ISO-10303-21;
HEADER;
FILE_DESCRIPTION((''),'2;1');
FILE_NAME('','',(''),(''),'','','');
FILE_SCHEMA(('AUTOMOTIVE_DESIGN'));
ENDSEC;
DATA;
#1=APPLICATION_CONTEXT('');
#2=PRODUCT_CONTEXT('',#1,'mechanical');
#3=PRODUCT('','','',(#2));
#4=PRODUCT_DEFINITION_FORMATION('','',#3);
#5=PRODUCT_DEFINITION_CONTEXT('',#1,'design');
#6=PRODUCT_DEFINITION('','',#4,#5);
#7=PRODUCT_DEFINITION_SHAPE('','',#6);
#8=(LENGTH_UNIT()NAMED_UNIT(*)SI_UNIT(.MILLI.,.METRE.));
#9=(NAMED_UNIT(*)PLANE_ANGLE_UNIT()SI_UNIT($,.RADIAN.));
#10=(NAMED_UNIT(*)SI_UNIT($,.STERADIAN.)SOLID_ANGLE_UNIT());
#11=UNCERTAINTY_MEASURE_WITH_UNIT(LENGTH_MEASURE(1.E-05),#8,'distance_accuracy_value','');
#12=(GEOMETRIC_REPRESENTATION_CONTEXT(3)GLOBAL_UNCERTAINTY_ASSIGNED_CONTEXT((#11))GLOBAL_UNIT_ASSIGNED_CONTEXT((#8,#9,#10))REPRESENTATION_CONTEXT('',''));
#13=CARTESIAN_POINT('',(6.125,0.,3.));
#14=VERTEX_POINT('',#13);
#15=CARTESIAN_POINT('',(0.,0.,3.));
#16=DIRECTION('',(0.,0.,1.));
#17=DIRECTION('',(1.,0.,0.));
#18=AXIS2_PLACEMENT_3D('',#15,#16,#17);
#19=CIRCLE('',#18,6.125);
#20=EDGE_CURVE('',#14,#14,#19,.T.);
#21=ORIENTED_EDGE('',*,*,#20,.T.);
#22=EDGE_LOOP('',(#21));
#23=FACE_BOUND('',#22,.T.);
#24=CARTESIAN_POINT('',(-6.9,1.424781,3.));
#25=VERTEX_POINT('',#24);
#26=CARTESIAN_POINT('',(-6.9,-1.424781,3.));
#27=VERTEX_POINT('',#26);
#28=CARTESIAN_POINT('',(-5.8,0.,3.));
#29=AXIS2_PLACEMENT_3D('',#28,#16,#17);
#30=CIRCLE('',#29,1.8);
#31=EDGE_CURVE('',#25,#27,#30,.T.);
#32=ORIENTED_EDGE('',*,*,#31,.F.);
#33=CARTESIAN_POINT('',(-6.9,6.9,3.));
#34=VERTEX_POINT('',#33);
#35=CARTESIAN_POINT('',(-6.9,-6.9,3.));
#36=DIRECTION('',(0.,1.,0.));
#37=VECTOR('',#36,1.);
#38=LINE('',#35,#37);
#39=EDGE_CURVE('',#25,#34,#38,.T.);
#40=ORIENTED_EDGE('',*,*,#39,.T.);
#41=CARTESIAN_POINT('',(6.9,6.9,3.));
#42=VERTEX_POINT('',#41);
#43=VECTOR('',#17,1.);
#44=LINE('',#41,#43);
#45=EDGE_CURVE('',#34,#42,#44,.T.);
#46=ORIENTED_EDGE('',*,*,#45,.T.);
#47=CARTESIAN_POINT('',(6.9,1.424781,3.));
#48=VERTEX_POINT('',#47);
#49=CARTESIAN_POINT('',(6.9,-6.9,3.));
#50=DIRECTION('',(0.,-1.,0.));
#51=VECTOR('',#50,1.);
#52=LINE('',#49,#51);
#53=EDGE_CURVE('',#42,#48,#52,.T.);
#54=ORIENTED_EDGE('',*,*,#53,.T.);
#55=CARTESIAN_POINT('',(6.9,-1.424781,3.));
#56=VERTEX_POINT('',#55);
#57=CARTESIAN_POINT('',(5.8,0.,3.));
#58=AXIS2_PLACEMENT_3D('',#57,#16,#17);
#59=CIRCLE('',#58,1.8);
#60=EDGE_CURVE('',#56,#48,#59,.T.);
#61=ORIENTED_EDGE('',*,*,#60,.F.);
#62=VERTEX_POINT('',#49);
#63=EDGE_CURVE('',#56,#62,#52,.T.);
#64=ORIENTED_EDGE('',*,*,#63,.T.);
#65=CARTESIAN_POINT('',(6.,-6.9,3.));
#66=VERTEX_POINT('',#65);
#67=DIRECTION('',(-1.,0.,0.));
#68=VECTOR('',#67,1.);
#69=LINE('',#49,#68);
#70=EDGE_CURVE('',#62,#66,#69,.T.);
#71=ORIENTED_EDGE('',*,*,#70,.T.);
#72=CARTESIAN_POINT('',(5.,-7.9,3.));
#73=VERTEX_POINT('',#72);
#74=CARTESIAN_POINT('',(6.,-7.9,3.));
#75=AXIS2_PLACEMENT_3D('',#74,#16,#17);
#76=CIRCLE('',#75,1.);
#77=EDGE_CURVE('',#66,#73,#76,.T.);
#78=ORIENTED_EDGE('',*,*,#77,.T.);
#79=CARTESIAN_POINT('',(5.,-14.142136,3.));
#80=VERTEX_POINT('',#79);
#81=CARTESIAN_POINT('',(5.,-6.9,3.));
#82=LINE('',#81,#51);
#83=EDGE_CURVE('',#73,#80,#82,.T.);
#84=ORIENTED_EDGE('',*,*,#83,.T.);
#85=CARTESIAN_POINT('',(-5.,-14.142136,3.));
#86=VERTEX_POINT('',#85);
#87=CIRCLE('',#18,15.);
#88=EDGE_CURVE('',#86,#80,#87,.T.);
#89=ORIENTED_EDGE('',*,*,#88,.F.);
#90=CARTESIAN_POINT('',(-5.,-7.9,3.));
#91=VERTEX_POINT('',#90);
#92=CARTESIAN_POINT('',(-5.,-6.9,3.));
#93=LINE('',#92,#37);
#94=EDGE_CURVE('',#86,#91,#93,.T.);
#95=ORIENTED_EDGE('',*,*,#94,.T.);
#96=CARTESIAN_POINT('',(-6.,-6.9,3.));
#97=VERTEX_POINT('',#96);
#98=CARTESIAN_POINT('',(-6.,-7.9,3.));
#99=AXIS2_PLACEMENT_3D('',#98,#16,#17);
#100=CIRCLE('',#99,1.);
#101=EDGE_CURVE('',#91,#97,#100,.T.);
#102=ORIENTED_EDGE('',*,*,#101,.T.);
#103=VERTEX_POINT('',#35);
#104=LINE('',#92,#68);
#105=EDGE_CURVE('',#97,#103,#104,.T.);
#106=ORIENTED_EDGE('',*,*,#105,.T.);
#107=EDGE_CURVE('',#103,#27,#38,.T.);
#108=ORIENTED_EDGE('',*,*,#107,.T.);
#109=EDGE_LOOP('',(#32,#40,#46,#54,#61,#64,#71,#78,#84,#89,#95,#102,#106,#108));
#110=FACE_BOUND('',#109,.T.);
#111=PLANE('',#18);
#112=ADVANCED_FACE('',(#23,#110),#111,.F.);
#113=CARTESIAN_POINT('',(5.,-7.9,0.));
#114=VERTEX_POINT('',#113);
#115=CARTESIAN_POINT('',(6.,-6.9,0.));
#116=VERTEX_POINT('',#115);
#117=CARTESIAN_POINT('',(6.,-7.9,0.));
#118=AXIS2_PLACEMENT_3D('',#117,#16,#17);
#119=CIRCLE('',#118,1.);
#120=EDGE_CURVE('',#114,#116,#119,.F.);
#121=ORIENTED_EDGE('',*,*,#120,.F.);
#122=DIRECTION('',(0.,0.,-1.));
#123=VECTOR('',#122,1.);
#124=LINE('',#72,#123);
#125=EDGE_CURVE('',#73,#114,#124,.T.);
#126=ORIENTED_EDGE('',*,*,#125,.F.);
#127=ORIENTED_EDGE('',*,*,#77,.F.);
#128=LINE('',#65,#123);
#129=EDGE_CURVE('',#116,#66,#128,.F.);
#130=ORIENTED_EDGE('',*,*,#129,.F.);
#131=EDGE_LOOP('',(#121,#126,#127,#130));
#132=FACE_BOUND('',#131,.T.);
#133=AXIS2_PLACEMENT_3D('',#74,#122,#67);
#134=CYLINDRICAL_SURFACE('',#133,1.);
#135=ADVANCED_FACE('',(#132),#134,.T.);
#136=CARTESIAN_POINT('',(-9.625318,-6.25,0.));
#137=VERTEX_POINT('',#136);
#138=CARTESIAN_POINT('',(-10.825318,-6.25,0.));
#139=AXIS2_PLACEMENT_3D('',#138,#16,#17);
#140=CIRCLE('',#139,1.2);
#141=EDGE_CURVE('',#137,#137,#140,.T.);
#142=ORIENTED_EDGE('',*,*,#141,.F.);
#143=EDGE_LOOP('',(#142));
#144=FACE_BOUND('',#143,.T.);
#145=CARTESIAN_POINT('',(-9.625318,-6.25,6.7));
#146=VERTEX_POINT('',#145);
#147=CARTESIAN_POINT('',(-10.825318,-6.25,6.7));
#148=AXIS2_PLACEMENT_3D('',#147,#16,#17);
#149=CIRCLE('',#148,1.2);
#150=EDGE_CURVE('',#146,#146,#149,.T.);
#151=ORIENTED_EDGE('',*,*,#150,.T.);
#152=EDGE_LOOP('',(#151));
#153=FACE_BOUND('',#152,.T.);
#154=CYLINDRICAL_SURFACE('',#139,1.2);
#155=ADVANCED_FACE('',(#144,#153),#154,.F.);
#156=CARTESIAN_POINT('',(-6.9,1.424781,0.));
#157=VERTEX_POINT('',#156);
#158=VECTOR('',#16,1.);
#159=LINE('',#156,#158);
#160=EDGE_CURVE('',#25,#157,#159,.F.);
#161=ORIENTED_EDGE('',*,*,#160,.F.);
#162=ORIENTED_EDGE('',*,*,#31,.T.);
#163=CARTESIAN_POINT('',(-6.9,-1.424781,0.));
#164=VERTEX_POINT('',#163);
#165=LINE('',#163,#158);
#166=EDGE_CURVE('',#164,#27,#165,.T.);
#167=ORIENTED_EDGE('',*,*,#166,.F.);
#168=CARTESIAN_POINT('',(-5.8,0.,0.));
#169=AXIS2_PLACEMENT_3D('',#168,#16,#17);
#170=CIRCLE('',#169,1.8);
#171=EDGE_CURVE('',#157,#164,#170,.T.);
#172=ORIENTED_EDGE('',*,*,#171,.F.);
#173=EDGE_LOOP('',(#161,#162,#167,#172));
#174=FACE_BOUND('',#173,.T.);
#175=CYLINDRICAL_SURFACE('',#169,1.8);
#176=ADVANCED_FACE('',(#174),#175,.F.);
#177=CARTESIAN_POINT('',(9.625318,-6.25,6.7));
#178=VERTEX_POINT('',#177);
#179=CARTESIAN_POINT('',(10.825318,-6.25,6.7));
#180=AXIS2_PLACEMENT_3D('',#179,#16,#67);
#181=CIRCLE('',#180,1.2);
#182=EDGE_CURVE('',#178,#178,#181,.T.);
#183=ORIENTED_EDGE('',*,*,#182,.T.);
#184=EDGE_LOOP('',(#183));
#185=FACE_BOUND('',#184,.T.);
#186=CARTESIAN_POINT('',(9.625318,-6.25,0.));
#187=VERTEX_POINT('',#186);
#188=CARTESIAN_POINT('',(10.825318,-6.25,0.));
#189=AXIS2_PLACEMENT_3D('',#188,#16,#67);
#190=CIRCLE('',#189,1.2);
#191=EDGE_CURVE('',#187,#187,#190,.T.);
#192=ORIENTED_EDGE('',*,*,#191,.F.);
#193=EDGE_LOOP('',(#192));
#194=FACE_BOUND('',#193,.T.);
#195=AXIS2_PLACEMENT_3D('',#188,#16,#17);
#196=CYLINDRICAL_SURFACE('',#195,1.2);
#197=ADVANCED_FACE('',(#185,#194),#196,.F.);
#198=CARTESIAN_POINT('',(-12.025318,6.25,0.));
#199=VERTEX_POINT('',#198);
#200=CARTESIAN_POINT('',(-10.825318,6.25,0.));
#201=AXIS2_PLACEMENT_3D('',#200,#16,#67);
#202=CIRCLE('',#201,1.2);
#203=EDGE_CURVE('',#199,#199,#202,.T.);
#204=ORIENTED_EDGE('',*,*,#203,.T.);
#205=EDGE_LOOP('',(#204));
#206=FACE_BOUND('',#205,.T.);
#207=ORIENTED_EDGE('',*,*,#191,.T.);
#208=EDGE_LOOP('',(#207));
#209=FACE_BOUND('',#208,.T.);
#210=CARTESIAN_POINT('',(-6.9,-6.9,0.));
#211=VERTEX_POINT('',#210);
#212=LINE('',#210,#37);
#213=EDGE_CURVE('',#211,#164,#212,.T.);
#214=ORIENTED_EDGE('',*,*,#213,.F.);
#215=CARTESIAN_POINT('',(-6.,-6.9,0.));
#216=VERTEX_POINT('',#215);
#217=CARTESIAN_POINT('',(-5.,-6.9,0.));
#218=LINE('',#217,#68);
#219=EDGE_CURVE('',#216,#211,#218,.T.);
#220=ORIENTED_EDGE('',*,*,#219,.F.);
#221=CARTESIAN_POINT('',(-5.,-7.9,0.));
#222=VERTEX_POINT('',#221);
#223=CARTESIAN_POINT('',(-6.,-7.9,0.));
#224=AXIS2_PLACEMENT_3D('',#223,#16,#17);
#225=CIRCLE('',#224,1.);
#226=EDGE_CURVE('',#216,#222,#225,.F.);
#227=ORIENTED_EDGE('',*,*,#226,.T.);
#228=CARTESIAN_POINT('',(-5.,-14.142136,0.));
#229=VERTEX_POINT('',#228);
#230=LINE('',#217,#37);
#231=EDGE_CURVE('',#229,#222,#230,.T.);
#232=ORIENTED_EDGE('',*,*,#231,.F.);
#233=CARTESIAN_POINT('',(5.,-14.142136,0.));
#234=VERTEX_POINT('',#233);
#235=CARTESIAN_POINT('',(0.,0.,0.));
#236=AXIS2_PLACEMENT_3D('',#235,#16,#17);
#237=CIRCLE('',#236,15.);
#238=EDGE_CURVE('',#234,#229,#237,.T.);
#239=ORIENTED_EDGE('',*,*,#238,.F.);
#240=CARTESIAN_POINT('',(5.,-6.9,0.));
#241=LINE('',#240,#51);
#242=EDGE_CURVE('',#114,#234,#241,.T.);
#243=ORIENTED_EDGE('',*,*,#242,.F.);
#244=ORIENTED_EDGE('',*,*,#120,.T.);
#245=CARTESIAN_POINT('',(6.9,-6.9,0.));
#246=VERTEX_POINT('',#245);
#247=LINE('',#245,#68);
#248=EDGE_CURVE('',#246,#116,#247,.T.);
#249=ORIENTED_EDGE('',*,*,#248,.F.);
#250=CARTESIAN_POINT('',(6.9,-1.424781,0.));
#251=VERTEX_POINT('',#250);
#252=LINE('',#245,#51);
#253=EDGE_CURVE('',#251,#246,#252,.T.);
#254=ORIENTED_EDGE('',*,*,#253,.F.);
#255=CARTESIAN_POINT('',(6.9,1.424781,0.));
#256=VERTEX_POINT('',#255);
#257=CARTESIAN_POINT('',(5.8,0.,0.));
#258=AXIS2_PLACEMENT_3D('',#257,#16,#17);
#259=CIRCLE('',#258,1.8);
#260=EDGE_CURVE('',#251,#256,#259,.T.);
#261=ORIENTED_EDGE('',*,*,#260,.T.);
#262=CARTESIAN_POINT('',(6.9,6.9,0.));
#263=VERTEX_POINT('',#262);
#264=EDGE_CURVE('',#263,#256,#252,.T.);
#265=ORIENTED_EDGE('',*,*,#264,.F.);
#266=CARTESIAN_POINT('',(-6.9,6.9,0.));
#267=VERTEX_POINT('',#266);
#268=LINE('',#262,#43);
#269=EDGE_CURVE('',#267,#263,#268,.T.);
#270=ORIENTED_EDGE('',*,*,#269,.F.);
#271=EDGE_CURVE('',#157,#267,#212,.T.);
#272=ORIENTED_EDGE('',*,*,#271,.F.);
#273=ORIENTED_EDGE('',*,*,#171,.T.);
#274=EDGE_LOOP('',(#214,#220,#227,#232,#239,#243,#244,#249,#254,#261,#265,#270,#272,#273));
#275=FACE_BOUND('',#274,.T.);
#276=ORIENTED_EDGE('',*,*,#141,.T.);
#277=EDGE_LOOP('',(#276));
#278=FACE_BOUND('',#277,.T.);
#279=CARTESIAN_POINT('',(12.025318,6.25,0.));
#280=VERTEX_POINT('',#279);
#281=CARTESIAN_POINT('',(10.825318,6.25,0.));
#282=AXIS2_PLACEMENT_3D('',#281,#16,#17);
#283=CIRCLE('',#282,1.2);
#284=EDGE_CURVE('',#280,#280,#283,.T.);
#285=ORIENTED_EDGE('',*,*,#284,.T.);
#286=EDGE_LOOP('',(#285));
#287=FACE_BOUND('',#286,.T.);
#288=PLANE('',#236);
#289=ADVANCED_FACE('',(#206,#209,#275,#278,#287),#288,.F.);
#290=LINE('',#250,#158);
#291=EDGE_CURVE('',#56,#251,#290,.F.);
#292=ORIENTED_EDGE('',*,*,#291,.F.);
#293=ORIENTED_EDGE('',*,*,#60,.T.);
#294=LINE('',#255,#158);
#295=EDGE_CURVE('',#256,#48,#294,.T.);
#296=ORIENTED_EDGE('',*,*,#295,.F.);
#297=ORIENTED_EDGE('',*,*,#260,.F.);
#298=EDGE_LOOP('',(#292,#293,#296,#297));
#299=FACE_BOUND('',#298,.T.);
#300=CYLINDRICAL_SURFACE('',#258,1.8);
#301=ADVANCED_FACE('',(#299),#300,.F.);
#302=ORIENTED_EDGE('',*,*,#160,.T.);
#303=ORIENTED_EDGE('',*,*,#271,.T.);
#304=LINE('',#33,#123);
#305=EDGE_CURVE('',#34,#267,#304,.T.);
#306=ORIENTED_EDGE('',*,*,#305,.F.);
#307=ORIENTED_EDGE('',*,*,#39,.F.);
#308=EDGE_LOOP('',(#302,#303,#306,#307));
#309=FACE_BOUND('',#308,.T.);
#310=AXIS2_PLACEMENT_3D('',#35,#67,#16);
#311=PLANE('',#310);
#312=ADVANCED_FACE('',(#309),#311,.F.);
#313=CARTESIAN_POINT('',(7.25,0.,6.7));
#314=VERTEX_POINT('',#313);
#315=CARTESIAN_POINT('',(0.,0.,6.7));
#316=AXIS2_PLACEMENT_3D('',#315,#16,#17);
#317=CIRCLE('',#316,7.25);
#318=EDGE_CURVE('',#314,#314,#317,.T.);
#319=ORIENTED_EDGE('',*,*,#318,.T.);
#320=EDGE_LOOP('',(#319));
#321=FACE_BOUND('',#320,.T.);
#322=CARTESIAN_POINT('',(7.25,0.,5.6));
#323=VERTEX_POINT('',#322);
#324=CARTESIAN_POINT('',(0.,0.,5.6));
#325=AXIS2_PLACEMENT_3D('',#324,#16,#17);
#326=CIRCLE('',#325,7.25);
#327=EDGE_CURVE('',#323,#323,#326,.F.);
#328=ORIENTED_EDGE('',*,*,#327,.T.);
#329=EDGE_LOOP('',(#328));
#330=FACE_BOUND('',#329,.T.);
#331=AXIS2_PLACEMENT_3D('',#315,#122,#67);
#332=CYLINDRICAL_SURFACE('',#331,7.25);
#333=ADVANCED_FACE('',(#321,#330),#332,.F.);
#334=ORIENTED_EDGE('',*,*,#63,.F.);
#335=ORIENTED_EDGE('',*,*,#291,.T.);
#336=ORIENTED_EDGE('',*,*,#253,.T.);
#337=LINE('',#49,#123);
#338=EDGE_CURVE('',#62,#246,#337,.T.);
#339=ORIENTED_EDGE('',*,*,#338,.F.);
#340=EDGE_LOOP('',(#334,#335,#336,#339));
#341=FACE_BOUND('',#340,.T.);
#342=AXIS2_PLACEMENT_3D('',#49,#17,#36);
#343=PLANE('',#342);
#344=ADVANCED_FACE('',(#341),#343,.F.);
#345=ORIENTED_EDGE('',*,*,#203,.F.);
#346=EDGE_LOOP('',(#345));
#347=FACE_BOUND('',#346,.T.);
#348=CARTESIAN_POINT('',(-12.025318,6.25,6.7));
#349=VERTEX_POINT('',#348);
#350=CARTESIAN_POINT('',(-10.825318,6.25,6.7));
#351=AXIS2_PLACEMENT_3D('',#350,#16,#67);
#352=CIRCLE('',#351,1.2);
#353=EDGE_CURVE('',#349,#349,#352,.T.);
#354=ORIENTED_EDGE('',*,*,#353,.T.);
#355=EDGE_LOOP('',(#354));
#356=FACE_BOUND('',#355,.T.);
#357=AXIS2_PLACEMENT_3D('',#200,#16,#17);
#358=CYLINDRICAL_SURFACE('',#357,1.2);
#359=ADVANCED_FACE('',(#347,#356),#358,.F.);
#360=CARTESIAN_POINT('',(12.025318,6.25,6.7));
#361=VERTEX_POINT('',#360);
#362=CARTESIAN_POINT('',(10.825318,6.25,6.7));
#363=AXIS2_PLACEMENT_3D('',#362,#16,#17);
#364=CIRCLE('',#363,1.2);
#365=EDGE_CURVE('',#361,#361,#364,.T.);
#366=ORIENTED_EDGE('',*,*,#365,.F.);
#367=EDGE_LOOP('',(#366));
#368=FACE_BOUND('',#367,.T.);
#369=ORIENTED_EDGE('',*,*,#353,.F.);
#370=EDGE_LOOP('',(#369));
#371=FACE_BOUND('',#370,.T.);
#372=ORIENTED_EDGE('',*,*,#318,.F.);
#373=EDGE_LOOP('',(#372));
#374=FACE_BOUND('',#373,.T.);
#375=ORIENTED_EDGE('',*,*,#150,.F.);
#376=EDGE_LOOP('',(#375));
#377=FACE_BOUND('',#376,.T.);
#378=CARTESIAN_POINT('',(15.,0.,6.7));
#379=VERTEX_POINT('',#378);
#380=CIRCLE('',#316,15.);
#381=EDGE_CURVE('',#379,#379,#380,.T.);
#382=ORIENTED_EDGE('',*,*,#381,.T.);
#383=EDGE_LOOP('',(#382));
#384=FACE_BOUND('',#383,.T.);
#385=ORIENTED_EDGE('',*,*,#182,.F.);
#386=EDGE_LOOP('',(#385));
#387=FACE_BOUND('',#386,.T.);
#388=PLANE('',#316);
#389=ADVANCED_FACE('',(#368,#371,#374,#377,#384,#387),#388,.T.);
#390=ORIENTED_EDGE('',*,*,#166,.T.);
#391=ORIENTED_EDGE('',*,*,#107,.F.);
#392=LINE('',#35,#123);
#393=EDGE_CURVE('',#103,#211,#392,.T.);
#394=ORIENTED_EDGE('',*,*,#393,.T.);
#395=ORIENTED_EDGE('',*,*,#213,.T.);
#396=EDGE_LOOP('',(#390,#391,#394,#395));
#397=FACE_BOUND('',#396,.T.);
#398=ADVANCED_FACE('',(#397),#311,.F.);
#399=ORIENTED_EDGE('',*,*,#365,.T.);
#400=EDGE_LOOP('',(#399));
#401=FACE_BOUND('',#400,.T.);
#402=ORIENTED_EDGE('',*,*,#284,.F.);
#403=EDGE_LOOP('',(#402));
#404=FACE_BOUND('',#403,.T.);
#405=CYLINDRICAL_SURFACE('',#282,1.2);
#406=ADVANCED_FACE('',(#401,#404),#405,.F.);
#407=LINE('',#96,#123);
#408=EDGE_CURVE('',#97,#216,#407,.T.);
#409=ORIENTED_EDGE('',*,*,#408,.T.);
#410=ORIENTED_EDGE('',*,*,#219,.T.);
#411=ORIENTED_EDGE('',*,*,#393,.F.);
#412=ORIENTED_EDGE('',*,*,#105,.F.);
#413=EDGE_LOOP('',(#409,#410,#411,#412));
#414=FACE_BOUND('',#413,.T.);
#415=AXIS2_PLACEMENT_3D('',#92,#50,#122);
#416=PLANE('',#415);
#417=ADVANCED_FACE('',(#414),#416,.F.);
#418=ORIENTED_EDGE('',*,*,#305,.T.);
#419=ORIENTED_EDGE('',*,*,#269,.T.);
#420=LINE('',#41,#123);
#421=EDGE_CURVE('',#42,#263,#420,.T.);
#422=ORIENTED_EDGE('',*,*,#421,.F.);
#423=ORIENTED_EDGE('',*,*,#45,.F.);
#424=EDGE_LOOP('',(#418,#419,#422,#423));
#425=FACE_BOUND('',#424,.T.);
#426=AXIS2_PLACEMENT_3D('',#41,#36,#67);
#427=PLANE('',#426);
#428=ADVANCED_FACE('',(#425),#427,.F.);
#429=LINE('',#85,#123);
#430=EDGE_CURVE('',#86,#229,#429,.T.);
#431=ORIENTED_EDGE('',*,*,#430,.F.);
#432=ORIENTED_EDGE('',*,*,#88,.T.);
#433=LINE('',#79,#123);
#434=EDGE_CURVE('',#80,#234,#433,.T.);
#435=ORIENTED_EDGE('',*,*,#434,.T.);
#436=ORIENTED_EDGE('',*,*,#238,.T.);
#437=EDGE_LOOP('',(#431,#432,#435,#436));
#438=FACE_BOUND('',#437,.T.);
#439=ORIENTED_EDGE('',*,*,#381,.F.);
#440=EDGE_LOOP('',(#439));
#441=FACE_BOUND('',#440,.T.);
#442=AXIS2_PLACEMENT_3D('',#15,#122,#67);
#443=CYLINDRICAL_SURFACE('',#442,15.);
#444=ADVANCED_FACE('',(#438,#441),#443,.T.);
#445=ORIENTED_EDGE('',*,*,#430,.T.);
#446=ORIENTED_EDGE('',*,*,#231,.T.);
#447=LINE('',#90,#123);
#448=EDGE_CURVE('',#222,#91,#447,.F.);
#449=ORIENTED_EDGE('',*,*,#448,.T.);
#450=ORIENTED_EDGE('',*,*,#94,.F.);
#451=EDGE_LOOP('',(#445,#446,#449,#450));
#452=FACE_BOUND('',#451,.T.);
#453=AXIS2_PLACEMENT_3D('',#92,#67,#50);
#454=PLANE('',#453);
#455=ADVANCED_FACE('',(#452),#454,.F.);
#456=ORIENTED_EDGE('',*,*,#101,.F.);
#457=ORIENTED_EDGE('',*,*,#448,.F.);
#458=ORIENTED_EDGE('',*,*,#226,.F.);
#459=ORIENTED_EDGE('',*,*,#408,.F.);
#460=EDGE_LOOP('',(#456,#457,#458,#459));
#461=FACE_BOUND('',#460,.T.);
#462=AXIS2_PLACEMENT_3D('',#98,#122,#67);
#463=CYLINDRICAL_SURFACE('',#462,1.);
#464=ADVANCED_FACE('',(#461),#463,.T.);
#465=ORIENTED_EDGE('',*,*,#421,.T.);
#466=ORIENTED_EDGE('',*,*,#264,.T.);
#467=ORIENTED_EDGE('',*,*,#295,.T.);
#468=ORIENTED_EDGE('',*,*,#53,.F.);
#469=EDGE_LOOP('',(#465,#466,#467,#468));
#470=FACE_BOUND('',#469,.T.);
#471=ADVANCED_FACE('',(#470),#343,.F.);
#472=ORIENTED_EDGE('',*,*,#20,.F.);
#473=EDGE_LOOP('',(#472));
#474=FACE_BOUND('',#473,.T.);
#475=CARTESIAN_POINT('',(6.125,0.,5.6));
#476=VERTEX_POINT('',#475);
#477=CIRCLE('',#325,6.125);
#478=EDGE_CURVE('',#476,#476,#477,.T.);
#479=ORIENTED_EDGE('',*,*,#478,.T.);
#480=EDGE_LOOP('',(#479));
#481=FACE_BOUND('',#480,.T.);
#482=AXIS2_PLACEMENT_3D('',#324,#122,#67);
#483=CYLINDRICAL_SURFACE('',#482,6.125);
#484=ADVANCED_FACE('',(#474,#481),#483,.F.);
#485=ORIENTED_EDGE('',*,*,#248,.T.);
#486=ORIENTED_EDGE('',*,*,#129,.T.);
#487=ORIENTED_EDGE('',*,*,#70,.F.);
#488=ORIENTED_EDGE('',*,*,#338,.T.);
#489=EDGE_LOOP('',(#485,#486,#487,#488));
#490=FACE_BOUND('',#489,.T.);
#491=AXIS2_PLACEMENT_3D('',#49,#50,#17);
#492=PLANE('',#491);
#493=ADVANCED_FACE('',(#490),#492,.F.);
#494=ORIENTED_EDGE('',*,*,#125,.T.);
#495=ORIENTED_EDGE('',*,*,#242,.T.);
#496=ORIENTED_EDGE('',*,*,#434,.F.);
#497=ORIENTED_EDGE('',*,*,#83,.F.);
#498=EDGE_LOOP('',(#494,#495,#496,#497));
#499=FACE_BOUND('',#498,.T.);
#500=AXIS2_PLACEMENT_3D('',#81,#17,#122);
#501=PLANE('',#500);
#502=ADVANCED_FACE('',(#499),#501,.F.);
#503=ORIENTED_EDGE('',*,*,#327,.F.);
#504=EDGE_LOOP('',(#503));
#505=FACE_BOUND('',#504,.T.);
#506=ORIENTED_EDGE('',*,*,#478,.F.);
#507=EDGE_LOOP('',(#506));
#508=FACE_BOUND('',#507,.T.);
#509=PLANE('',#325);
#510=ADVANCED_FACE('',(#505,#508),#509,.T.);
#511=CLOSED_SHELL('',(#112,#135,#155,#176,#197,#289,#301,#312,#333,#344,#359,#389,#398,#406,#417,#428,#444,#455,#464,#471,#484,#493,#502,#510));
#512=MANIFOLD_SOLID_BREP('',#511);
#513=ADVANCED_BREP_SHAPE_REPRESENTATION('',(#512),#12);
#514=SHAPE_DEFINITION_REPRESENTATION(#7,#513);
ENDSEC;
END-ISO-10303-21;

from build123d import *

# Parameters (mm, degrees)
EXTRUDE_1_DEPTH     = 3
CUT_EXTRUDE_4_DEPTH = 4
SKETCH_12_R         = 15
SKETCH_12_R_2       = 6.125
EXTRUDE_2_DEPTH     = 2.6
SKETCH_13_R         = 15
SKETCH_13_R_2       = 7.25
EXTRUDE_3_DEPTH     = 1.1
SKETCH_14_R         = 1.2
CUT_EXTRUDE_5_DEPTH = 7.7
FILLET_1_R          = 1


with BuildPart() as part:
    # 스케치1 → 보스-돌출1 (new body)
    with BuildSketch(Plane.XY):
        with BuildLine():
            Line((-5, -6.9), (-6.9, -6.9))
            Line((-6.9, -6.9), (-6.9, 6.9))
            Line((-6.9, 6.9), (6.9, 6.9))
            Line((6.9, 6.9), (6.9, -6.9))
            Line((6.9, -6.9), (5, -6.9))
            Line((5, -6.9), (5, -14.142135624))
            ThreePointArc((5, -14.142135624), (0, 15), (-5, -14.142135624))
            Line((-5, -14.142135624), (-5, -6.9))
        make_face()
    extrude(amount=EXTRUDE_1_DEPTH)

    # 스케치11 → 컷-돌출4 (cut, through all)
    with BuildSketch(Plane.XY.offset(3)):
        with BuildLine():
            Line((5.8, -1.8), (-5.8, -1.8))
            ThreePointArc((-5.8, -1.8), (-7.6, 0), (-5.8, 1.8))
            Line((-5.8, 1.8), (5.8, 1.8))
            ThreePointArc((5.8, 1.8), (7.6, 0), (5.8, -1.8))
        make_face()
    extrude(amount=-CUT_EXTRUDE_4_DEPTH, mode=Mode.SUBTRACT)

    # 스케치12 → 보스-돌출2 (add)
    with BuildSketch(Plane.XY.offset(3)):
        Circle(SKETCH_12_R)
        Circle(SKETCH_12_R_2, mode=Mode.SUBTRACT)
    extrude(amount=EXTRUDE_2_DEPTH)

    # 스케치13 → 보스-돌출3 (add)
    with BuildSketch(Plane.XY.offset(5.6)):
        Circle(SKETCH_13_R)
        Circle(SKETCH_13_R_2, mode=Mode.SUBTRACT)
    extrude(amount=EXTRUDE_3_DEPTH)

    # 스케치14 → 컷-돌출5 (cut, through all)
    with BuildSketch(Plane.XY.offset(6.7)):
        with Locations((10.825317547, 6.25)):
            Circle(SKETCH_14_R)
        with Locations((-10.825317547, 6.25)):
            Circle(SKETCH_14_R)
        with Locations((10.825317547, -6.25)):
            Circle(SKETCH_14_R)
        with Locations((-10.825317547, -6.25)):
            Circle(SKETCH_14_R)
    extrude(amount=-CUT_EXTRUDE_5_DEPTH, mode=Mode.SUBTRACT)

    # 필렛1
    fillet_1_edges = [part.edges().sort_by_distance(p)[0] for p in [
        (-5, -6.9, 1.5),
        (5, -6.9, 1.5),
    ]]
    fillet(fillet_1_edges, radius=FILLET_1_R)


solid = part.part
